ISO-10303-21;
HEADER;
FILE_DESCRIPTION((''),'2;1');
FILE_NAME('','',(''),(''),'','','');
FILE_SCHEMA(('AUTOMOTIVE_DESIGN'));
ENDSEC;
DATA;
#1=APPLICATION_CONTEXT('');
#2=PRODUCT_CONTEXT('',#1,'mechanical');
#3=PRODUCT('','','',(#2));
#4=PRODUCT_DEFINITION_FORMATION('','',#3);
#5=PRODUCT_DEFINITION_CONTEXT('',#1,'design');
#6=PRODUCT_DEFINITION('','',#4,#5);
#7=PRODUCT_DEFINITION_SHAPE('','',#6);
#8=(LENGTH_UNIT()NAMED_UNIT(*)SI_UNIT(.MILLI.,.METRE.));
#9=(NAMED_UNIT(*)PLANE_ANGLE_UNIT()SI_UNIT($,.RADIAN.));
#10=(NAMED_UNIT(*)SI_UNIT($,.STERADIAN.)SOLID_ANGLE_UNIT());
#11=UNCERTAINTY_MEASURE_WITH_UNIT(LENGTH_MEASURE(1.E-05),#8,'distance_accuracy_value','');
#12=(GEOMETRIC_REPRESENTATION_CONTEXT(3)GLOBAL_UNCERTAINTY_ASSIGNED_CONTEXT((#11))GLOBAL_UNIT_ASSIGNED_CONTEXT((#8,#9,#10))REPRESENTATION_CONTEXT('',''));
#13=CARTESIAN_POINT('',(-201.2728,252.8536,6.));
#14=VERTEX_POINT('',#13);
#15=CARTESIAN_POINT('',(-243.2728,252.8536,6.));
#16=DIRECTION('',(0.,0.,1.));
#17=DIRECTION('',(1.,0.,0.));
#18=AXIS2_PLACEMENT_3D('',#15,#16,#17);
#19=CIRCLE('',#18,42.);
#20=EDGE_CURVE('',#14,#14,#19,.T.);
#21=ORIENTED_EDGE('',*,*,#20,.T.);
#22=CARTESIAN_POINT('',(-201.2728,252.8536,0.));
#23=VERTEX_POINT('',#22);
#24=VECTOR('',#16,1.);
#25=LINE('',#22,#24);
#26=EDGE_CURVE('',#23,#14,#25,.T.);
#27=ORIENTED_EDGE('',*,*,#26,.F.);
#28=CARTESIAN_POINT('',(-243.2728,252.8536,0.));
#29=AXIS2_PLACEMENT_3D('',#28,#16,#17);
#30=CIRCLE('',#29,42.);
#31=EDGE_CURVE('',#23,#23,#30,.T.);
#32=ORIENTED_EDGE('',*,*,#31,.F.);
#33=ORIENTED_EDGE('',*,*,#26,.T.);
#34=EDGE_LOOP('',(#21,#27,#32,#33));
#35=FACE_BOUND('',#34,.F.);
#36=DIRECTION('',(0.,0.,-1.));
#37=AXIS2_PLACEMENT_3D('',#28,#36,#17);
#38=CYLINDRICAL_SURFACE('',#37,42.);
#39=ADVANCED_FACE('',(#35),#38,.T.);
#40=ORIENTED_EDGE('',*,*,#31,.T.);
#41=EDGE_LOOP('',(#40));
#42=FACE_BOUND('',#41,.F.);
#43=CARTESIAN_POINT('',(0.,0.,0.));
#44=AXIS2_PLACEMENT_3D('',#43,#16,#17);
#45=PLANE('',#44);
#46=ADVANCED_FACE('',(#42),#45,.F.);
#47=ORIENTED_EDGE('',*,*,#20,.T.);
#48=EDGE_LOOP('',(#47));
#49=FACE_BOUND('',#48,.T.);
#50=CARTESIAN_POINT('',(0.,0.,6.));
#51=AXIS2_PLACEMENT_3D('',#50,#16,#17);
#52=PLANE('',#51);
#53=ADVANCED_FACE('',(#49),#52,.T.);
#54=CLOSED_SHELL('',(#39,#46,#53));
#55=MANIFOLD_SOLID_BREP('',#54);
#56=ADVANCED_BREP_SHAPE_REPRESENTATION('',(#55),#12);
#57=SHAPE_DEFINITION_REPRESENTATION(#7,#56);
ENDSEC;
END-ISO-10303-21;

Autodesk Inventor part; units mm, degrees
ref_plane "YZ Plane" through (0, 0, 0) normal (1, 0, 0) x (0, 1, 0)
ref_plane "XZ Plane" through (0, 0, 0) normal (0, 1, 0) x (-1, 0, 0)
ref_plane "XY Plane" through (0, 0, 0) normal (0, 0, 1) x (1, 0, 0)
ref_plane "Work Plane1" through (0, 0, 0) normal (0, 0, 1) x (1, 0, 0)
sketch "Sketch1" plane through (0, 0, 0) normal (0, 0, 1) x (1, 0, 0)
  circle A0 centre (-243.2728, 252.8536) radius 42
  dimension "d1" = 84
extrude "Extrusion1" add sketch "Sketch1" along normal blind 6
properties part number "pcb" material "Aluminum 6061"
